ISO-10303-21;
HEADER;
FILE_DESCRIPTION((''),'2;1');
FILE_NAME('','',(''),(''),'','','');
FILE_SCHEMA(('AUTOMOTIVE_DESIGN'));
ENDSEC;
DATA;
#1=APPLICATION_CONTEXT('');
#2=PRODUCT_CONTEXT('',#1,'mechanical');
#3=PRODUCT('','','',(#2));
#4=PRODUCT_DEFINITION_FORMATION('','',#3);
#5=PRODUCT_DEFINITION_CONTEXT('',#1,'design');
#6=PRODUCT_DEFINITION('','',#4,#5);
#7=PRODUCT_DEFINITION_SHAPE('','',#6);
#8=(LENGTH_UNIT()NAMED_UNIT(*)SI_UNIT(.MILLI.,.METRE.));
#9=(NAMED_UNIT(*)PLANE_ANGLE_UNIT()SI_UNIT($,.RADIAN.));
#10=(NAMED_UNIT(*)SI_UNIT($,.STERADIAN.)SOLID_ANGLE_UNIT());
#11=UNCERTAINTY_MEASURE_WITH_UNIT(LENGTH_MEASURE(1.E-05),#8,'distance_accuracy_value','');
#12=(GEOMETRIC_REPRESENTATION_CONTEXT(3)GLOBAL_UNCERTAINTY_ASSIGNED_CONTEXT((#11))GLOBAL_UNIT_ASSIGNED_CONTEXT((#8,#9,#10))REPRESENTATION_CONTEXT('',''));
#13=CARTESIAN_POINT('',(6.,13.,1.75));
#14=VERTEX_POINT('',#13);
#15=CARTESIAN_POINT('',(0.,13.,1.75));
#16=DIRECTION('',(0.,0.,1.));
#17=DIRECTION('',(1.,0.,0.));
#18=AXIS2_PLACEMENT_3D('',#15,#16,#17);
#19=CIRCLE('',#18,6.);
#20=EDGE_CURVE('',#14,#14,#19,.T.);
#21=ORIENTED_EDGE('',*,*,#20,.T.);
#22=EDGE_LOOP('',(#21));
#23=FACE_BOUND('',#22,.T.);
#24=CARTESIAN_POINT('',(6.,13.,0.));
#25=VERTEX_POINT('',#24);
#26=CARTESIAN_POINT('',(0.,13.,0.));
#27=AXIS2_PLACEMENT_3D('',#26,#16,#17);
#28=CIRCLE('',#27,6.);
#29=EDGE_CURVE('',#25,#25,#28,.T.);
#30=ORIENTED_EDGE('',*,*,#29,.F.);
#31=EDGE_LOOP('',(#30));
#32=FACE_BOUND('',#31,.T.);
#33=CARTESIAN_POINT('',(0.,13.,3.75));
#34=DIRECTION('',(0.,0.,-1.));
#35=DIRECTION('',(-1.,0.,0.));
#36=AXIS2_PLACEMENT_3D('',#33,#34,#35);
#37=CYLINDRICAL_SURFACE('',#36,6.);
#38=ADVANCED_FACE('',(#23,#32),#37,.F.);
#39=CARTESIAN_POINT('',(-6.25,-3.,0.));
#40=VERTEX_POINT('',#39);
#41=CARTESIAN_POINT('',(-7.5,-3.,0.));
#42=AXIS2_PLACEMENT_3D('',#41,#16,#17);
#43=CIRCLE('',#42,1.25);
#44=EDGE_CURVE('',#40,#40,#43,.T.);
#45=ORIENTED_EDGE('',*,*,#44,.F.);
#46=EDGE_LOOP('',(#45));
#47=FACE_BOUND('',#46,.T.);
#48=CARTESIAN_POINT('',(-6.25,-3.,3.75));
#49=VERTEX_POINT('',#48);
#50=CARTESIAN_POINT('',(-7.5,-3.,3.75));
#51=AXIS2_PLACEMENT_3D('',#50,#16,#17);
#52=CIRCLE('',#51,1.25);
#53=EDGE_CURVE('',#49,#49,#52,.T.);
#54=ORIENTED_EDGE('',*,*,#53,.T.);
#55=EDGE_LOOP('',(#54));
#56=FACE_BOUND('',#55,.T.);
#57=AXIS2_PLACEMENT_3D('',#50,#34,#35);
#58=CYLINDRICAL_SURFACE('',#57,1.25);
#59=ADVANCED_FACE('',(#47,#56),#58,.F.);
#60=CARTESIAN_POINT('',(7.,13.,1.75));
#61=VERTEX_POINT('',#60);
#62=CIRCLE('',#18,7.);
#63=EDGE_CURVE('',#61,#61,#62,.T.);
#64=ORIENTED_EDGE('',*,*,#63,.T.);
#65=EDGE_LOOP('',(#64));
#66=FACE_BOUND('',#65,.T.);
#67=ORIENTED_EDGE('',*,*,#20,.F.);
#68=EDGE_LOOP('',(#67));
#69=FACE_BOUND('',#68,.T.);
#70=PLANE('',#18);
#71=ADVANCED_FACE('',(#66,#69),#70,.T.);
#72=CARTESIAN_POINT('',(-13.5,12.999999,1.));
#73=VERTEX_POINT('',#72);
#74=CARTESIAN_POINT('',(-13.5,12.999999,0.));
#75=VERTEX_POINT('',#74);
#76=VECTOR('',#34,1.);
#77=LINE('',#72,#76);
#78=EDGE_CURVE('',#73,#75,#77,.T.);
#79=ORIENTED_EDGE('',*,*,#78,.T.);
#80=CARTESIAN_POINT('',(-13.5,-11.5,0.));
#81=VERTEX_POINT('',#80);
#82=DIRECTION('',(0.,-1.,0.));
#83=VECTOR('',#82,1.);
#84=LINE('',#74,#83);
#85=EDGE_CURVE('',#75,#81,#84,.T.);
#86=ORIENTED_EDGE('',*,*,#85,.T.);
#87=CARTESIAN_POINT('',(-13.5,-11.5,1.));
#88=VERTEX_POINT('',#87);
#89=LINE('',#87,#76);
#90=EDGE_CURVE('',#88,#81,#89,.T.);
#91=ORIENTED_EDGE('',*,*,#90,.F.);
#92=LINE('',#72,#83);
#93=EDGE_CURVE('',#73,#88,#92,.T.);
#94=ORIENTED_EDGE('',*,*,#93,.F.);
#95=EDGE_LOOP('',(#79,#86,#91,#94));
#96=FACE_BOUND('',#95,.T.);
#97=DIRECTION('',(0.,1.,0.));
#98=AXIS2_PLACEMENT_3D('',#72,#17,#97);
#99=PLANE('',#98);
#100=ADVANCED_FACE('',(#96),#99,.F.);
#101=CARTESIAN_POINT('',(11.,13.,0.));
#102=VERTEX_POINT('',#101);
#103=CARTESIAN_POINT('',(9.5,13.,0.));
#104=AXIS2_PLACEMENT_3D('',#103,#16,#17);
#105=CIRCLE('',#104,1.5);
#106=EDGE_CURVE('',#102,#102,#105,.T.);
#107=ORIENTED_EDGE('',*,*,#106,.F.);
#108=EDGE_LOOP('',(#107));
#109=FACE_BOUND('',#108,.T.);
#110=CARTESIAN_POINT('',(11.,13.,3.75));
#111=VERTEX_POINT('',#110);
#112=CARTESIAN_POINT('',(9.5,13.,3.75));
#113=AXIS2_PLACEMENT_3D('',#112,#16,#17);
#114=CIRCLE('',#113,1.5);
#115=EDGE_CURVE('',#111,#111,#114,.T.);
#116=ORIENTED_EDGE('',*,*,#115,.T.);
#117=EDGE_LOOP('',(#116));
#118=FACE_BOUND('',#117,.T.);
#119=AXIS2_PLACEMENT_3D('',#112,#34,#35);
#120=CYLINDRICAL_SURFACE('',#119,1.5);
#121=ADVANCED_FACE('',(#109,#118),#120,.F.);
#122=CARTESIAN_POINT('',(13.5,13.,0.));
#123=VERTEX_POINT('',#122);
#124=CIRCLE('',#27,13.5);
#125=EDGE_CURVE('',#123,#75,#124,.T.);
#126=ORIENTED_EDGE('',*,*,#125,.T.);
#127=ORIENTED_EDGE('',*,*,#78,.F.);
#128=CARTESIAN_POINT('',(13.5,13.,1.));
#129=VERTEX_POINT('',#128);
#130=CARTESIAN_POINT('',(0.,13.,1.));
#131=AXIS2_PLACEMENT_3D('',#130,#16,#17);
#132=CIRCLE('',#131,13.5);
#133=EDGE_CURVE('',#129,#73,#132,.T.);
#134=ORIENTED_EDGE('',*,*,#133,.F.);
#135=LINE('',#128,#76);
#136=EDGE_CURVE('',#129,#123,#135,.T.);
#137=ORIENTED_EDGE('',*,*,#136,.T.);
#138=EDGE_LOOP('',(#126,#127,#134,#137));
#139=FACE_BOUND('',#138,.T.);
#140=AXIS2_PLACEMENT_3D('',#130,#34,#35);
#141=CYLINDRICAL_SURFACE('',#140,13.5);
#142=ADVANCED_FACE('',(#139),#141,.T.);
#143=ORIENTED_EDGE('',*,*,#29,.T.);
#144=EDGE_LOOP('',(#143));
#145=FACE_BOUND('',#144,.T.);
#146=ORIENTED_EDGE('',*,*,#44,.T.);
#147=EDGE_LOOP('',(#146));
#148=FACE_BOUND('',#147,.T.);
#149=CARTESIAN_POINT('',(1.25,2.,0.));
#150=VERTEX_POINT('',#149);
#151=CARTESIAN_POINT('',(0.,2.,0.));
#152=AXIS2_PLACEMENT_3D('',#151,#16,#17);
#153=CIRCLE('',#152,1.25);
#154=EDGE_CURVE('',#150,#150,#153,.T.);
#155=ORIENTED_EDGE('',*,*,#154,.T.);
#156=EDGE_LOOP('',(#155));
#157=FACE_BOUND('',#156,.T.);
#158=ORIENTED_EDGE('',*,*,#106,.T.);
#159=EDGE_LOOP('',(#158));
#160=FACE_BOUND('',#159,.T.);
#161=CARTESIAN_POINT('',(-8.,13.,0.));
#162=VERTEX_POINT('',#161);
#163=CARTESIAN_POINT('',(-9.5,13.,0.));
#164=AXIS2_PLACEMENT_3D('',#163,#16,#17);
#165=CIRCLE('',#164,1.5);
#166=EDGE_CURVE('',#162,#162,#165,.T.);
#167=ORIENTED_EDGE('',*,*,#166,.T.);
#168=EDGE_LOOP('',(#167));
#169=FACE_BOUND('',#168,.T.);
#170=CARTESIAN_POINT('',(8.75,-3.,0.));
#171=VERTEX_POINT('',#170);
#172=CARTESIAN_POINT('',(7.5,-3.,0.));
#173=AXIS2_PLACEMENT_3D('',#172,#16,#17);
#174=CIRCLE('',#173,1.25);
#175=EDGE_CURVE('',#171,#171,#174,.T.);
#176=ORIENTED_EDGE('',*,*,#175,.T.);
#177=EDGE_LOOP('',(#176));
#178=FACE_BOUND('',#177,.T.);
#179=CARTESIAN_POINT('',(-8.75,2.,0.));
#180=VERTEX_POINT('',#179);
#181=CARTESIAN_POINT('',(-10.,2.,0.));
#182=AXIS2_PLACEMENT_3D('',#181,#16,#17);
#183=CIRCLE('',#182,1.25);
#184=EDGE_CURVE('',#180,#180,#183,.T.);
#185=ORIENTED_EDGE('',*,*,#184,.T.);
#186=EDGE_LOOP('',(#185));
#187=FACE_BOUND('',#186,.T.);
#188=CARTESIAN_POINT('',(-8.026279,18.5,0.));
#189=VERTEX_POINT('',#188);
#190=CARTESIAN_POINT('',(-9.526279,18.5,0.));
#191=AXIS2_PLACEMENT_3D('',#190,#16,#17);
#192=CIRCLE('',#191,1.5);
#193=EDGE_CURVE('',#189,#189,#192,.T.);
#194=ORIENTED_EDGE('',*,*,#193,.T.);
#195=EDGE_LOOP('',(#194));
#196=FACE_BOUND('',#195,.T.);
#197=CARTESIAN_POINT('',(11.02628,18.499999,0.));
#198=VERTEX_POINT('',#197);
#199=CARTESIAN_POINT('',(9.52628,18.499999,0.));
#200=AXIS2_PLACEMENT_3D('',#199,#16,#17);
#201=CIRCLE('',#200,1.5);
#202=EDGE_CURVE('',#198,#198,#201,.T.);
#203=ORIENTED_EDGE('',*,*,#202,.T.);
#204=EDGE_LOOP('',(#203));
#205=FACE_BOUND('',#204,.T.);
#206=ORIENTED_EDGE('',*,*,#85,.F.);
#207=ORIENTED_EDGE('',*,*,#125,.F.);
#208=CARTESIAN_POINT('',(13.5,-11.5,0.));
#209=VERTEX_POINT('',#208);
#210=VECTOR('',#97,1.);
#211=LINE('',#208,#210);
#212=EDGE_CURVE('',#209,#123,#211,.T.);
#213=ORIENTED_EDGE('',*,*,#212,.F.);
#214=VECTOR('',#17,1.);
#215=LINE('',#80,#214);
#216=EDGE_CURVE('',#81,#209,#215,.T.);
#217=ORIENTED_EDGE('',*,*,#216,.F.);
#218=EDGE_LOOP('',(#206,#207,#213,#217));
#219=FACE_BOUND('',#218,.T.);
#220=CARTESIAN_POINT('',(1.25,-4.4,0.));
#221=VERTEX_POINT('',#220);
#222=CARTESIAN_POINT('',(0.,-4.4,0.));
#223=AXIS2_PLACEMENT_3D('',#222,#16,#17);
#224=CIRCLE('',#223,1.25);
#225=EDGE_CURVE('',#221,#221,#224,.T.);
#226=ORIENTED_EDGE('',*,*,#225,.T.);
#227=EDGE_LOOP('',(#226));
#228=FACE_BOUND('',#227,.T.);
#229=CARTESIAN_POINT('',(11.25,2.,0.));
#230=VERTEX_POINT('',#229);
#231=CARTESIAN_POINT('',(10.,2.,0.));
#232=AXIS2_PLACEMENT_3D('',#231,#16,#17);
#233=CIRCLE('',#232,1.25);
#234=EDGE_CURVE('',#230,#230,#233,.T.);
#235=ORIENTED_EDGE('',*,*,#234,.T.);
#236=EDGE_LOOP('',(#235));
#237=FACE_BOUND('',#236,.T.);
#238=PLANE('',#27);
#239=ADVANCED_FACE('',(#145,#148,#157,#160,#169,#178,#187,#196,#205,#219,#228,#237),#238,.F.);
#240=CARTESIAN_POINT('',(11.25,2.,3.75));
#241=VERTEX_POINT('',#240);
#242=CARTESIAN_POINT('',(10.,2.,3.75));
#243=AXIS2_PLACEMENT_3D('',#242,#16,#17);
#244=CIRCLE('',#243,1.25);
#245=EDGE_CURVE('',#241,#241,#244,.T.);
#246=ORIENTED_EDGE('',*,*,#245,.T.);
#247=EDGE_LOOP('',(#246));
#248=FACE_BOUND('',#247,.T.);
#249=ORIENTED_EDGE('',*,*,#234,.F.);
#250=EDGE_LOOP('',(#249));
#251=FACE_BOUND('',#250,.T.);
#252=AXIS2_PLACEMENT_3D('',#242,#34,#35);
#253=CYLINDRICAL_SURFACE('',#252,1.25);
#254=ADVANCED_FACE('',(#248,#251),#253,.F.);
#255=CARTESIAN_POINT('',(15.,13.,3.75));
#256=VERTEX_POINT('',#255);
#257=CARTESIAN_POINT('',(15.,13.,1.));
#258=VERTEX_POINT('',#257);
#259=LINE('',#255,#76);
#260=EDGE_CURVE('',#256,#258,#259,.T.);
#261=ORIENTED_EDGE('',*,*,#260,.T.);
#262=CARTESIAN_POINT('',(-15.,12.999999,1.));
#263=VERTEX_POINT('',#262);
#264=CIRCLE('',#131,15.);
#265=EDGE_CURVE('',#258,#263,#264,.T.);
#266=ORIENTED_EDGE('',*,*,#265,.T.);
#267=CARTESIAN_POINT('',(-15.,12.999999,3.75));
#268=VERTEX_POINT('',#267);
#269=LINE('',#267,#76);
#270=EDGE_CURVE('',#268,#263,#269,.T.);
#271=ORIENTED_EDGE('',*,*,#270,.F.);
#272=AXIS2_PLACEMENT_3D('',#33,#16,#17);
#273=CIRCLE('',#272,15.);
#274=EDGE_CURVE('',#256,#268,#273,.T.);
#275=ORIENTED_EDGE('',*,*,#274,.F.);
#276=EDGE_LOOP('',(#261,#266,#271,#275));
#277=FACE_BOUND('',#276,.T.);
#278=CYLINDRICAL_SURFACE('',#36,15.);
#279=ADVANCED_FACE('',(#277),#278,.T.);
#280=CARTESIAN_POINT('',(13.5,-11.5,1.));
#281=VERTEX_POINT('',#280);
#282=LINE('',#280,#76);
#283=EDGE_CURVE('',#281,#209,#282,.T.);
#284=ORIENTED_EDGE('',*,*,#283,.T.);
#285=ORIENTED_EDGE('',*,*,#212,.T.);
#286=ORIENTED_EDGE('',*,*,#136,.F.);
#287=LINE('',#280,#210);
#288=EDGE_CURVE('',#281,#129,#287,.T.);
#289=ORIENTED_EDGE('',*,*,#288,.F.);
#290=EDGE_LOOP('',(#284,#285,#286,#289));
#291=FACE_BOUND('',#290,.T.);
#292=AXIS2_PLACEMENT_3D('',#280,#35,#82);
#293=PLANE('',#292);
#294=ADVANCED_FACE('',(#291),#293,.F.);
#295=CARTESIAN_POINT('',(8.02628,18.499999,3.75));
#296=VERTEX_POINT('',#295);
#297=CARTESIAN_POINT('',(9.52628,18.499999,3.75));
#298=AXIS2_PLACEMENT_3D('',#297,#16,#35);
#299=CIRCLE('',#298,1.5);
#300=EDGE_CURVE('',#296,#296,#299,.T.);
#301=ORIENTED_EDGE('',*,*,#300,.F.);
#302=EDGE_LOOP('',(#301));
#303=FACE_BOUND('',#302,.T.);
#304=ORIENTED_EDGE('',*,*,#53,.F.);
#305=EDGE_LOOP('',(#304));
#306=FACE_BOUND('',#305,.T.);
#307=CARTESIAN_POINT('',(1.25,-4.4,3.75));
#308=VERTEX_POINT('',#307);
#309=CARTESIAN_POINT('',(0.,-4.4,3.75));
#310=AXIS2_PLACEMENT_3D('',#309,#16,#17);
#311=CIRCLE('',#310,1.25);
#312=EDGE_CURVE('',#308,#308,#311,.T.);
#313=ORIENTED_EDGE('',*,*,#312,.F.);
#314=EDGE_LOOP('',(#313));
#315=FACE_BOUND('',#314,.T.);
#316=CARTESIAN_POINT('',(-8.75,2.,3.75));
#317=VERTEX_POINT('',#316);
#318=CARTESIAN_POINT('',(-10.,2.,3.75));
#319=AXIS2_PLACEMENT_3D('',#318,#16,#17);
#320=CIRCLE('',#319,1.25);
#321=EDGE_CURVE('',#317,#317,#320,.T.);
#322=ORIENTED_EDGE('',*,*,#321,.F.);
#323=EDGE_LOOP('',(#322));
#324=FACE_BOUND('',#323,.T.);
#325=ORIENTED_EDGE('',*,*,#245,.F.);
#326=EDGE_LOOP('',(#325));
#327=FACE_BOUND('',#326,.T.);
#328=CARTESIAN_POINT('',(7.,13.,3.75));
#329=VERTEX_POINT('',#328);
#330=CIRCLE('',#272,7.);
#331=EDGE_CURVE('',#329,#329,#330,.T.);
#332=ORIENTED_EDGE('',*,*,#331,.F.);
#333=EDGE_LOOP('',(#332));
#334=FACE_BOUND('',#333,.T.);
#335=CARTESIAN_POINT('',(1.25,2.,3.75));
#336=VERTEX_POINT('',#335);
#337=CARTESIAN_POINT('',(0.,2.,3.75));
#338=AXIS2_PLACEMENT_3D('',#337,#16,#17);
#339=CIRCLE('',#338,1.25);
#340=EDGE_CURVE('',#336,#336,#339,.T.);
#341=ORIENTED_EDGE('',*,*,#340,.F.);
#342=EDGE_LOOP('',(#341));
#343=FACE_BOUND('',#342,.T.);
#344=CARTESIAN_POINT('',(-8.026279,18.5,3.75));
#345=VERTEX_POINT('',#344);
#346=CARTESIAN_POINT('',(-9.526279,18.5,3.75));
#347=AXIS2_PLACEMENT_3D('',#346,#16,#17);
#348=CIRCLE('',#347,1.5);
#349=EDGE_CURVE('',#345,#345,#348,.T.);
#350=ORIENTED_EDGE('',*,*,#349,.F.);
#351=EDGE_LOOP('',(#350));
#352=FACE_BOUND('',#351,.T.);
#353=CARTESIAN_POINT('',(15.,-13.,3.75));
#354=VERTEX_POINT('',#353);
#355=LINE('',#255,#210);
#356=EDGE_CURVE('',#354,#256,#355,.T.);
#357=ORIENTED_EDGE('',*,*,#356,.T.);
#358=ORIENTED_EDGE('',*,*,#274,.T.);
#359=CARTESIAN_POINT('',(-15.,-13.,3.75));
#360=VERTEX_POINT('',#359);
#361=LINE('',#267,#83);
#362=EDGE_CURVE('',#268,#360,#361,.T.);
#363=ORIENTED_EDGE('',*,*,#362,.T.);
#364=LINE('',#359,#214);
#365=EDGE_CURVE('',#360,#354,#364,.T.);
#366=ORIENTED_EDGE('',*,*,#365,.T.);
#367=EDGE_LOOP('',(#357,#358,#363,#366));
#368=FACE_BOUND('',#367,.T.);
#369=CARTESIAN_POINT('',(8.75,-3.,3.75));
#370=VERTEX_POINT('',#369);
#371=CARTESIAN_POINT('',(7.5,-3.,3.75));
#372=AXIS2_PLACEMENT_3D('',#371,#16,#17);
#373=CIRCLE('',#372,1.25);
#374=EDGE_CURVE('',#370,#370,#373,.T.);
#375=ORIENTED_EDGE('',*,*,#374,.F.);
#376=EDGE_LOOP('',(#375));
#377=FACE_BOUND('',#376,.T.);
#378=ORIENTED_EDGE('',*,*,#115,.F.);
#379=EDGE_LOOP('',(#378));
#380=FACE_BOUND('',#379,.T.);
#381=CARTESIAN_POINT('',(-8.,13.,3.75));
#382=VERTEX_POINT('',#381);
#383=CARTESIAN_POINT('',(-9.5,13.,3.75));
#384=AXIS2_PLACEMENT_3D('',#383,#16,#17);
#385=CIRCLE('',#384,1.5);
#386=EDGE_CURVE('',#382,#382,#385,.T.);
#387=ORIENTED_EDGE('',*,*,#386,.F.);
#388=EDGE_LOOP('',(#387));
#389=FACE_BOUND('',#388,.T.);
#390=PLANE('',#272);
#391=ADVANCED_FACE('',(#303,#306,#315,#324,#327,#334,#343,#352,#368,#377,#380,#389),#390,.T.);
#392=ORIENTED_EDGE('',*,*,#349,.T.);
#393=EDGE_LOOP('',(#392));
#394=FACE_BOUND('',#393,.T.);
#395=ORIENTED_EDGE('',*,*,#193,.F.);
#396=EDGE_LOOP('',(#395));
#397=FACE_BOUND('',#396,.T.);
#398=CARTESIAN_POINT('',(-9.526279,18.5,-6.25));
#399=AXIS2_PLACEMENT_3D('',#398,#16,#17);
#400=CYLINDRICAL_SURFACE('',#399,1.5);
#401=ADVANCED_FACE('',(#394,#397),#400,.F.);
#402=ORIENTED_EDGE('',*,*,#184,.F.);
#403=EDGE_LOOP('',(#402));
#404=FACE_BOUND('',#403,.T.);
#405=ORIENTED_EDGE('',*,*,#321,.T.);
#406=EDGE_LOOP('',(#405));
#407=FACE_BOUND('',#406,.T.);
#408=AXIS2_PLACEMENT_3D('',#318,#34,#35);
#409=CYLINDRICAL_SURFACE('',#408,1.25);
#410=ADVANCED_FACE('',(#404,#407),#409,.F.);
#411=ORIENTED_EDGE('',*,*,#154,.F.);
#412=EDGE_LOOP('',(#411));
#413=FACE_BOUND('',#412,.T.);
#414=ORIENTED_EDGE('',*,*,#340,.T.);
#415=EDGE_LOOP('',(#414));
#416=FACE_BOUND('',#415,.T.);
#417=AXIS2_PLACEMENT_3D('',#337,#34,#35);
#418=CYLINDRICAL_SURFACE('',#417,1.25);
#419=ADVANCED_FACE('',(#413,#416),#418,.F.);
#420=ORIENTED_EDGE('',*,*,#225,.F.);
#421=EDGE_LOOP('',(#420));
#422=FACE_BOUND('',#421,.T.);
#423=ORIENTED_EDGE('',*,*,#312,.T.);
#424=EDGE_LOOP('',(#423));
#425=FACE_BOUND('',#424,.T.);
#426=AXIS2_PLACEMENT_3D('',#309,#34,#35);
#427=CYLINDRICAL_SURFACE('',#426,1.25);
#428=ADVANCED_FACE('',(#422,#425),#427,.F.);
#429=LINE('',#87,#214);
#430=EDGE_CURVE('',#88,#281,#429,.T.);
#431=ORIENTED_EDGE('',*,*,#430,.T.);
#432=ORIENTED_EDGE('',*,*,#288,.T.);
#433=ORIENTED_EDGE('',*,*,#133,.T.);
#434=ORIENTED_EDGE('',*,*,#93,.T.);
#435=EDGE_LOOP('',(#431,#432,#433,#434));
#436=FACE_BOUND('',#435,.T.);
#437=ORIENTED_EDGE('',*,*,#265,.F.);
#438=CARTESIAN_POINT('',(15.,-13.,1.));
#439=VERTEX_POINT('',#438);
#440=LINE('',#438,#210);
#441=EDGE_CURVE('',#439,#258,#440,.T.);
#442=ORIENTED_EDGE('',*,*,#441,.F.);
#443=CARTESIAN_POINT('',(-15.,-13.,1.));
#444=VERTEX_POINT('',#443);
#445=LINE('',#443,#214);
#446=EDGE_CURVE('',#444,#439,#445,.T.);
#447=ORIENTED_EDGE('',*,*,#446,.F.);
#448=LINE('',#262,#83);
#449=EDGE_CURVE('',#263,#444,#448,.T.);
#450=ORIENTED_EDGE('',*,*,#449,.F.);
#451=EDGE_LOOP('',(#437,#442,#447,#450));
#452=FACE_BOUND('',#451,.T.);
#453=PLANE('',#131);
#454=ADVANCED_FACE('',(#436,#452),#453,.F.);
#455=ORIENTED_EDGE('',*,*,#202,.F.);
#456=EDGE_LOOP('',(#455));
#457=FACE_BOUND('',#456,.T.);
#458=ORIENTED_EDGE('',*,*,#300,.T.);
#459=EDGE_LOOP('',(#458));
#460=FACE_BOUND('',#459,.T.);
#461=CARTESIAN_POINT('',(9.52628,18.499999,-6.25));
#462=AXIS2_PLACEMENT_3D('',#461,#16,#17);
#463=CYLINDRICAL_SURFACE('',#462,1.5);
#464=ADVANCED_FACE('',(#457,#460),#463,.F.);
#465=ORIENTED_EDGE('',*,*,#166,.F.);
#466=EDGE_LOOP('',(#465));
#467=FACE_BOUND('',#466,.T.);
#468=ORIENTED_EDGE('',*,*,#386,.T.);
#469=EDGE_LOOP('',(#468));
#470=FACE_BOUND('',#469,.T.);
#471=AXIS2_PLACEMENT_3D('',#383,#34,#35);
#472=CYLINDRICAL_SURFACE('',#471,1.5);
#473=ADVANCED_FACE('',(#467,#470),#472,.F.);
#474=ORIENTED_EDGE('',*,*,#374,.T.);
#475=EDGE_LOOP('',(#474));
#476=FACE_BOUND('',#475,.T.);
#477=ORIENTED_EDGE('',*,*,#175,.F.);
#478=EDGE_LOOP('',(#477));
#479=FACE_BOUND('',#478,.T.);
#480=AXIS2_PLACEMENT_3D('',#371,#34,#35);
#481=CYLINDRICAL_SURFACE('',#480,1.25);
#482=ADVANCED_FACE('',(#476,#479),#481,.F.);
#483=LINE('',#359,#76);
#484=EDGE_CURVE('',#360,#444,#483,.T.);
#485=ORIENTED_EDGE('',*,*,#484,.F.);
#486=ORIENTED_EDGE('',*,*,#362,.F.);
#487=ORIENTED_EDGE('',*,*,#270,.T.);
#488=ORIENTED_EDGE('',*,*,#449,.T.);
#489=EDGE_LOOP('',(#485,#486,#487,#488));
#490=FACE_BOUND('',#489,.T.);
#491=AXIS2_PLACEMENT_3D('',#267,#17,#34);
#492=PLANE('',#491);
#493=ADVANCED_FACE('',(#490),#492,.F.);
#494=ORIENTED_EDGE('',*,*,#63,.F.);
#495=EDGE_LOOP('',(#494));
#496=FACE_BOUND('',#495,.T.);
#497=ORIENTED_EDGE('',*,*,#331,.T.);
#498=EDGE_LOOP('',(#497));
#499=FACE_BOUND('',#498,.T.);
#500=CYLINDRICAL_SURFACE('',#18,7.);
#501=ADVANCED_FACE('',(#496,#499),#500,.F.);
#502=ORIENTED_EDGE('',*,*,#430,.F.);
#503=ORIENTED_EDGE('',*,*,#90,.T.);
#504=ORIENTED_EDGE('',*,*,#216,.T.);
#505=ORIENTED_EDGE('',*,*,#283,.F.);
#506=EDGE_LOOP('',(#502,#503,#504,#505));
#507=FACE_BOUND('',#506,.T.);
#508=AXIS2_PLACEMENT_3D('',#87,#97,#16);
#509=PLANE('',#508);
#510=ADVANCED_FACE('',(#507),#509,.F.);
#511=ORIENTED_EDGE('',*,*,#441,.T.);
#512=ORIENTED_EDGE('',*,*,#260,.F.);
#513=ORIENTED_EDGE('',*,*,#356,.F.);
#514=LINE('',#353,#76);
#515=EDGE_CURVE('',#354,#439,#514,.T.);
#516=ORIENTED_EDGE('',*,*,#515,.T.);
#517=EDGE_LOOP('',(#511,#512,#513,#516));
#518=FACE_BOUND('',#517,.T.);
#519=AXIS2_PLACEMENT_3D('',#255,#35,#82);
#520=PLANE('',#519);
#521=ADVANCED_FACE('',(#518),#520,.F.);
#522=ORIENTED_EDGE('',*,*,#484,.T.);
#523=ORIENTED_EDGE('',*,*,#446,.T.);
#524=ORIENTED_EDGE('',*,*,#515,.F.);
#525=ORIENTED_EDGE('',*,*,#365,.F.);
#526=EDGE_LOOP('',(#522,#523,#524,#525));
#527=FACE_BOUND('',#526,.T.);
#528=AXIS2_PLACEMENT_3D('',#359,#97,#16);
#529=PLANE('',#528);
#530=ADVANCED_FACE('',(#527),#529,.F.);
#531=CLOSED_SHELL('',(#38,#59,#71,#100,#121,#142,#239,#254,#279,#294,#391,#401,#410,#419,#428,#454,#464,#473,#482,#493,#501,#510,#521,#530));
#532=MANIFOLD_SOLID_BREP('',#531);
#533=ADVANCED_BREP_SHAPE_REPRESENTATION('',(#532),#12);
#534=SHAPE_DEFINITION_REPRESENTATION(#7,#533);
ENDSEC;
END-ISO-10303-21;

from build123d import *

# Parameters (mm, degrees)
SKETCH1_R           = 6
SKETCH1_R_2         = 1.5
SKETCH1_R_3         = 1.25
BOSS_EXTRUDE1_DEPTH = 3.75
SKETCH2_R           = 7
CUT_EXTRUDE1_DEPTH  = 2
CUT_EXTRUDE2_DEPTH  = 1
SKETCH4_R           = 1.5
CUT_EXTRUDE3_DEPTH  = 10


with BuildPart() as part:
    # Sketch1 → Boss-Extrude1 (new body)
    with BuildSketch(Plane.XY):
        with BuildLine():
            Line((-14.999999511, 12.999998728), (-14.999999511, -12.999999576))
            Line((-14.999999511, -12.999999576), (15.000000489, -12.999999576))
            Line((15.000000489, -12.999999576), (15.000000489, 13.000000424))
            ThreePointArc((15.000000489, 13.000000424), (-3.59e-07, 28), (-14.999999511, 12.999998728))
        make_face()
        with Locations((4.89e-07, 13)):
            Circle(SKETCH1_R, mode=Mode.SUBTRACT)
        with Locations((-9.499999511, 13)):
            Circle(SKETCH1_R_2, mode=Mode.SUBTRACT)
        with Locations((9.500000489, 13)):
            Circle(SKETCH1_R_2, mode=Mode.SUBTRACT)
        with Locations((-7.5, -3)):
            Circle(SKETCH1_R_3, mode=Mode.SUBTRACT)
        with Locations((7.5, -3)):
            Circle(SKETCH1_R_3, mode=Mode.SUBTRACT)
        with Locations((10.000000489, 2)):
            Circle(SKETCH1_R_3, mode=Mode.SUBTRACT)
        with Locations((-9.999999511, 2)):
            Circle(SKETCH1_R_3, mode=Mode.SUBTRACT)
        with Locations((0, 2)):
            Circle(SKETCH1_R_3, mode=Mode.SUBTRACT)
        with Locations((0, -4.4)):
            Circle(SKETCH1_R_3, mode=Mode.SUBTRACT)
    extrude(amount=BOSS_EXTRUDE1_DEPTH)

    # Sketch2 → Cut-Extrude1 (cut)
    with BuildSketch(Plane.XY.offset(3.75)):
        with Locations((4.89e-07, 13)):
            Circle(SKETCH2_R)
    extrude(amount=-CUT_EXTRUDE1_DEPTH, mode=Mode.SUBTRACT)

    # Sketch3 → Cut-Extrude2 (cut)
    with BuildSketch(Plane.XY):
        with BuildLine():
            Line((15.000000489, -12.999999576), (15.000000489, 13.000000424))
            ThreePointArc((15.000000489, 13.000000424), (-3.59e-07, 28), (-14.999999511, 12.999998728))
            Line((-14.999999511, 12.999998728), (-14.999999511, -12.999999576))
            Line((-14.999999511, -12.999999576), (15.000000489, -12.999999576))
        make_face()
        with BuildLine():
            Line((-13.499999511, 12.999998855), (-13.499999511, -11.499999576))
            Line((-13.499999511, -11.499999576), (13.500000489, -11.499999576))
            Line((13.500000489, -11.499999576), (13.500000489, 13.000000382))
            ThreePointArc((13.500000489, 13.000000382), (-2.74e-07, 26.5), (-13.499999511, 12.999998855))
        make_face(mode=Mode.SUBTRACT)
    extrude(amount=CUT_EXTRUDE2_DEPTH, mode=Mode.SUBTRACT)

    # Sketch4 → Cut-Extrude3 (cut)
    with BuildSketch(Plane.XY.offset(3.75)):
        with Locations((-9.526278952, 18.5)):
            Circle(SKETCH4_R)
        with Locations((9.526280345, 18.499999283)):
            Circle(SKETCH4_R)
    extrude(amount=-CUT_EXTRUDE3_DEPTH, mode=Mode.SUBTRACT)


solid = part.part
